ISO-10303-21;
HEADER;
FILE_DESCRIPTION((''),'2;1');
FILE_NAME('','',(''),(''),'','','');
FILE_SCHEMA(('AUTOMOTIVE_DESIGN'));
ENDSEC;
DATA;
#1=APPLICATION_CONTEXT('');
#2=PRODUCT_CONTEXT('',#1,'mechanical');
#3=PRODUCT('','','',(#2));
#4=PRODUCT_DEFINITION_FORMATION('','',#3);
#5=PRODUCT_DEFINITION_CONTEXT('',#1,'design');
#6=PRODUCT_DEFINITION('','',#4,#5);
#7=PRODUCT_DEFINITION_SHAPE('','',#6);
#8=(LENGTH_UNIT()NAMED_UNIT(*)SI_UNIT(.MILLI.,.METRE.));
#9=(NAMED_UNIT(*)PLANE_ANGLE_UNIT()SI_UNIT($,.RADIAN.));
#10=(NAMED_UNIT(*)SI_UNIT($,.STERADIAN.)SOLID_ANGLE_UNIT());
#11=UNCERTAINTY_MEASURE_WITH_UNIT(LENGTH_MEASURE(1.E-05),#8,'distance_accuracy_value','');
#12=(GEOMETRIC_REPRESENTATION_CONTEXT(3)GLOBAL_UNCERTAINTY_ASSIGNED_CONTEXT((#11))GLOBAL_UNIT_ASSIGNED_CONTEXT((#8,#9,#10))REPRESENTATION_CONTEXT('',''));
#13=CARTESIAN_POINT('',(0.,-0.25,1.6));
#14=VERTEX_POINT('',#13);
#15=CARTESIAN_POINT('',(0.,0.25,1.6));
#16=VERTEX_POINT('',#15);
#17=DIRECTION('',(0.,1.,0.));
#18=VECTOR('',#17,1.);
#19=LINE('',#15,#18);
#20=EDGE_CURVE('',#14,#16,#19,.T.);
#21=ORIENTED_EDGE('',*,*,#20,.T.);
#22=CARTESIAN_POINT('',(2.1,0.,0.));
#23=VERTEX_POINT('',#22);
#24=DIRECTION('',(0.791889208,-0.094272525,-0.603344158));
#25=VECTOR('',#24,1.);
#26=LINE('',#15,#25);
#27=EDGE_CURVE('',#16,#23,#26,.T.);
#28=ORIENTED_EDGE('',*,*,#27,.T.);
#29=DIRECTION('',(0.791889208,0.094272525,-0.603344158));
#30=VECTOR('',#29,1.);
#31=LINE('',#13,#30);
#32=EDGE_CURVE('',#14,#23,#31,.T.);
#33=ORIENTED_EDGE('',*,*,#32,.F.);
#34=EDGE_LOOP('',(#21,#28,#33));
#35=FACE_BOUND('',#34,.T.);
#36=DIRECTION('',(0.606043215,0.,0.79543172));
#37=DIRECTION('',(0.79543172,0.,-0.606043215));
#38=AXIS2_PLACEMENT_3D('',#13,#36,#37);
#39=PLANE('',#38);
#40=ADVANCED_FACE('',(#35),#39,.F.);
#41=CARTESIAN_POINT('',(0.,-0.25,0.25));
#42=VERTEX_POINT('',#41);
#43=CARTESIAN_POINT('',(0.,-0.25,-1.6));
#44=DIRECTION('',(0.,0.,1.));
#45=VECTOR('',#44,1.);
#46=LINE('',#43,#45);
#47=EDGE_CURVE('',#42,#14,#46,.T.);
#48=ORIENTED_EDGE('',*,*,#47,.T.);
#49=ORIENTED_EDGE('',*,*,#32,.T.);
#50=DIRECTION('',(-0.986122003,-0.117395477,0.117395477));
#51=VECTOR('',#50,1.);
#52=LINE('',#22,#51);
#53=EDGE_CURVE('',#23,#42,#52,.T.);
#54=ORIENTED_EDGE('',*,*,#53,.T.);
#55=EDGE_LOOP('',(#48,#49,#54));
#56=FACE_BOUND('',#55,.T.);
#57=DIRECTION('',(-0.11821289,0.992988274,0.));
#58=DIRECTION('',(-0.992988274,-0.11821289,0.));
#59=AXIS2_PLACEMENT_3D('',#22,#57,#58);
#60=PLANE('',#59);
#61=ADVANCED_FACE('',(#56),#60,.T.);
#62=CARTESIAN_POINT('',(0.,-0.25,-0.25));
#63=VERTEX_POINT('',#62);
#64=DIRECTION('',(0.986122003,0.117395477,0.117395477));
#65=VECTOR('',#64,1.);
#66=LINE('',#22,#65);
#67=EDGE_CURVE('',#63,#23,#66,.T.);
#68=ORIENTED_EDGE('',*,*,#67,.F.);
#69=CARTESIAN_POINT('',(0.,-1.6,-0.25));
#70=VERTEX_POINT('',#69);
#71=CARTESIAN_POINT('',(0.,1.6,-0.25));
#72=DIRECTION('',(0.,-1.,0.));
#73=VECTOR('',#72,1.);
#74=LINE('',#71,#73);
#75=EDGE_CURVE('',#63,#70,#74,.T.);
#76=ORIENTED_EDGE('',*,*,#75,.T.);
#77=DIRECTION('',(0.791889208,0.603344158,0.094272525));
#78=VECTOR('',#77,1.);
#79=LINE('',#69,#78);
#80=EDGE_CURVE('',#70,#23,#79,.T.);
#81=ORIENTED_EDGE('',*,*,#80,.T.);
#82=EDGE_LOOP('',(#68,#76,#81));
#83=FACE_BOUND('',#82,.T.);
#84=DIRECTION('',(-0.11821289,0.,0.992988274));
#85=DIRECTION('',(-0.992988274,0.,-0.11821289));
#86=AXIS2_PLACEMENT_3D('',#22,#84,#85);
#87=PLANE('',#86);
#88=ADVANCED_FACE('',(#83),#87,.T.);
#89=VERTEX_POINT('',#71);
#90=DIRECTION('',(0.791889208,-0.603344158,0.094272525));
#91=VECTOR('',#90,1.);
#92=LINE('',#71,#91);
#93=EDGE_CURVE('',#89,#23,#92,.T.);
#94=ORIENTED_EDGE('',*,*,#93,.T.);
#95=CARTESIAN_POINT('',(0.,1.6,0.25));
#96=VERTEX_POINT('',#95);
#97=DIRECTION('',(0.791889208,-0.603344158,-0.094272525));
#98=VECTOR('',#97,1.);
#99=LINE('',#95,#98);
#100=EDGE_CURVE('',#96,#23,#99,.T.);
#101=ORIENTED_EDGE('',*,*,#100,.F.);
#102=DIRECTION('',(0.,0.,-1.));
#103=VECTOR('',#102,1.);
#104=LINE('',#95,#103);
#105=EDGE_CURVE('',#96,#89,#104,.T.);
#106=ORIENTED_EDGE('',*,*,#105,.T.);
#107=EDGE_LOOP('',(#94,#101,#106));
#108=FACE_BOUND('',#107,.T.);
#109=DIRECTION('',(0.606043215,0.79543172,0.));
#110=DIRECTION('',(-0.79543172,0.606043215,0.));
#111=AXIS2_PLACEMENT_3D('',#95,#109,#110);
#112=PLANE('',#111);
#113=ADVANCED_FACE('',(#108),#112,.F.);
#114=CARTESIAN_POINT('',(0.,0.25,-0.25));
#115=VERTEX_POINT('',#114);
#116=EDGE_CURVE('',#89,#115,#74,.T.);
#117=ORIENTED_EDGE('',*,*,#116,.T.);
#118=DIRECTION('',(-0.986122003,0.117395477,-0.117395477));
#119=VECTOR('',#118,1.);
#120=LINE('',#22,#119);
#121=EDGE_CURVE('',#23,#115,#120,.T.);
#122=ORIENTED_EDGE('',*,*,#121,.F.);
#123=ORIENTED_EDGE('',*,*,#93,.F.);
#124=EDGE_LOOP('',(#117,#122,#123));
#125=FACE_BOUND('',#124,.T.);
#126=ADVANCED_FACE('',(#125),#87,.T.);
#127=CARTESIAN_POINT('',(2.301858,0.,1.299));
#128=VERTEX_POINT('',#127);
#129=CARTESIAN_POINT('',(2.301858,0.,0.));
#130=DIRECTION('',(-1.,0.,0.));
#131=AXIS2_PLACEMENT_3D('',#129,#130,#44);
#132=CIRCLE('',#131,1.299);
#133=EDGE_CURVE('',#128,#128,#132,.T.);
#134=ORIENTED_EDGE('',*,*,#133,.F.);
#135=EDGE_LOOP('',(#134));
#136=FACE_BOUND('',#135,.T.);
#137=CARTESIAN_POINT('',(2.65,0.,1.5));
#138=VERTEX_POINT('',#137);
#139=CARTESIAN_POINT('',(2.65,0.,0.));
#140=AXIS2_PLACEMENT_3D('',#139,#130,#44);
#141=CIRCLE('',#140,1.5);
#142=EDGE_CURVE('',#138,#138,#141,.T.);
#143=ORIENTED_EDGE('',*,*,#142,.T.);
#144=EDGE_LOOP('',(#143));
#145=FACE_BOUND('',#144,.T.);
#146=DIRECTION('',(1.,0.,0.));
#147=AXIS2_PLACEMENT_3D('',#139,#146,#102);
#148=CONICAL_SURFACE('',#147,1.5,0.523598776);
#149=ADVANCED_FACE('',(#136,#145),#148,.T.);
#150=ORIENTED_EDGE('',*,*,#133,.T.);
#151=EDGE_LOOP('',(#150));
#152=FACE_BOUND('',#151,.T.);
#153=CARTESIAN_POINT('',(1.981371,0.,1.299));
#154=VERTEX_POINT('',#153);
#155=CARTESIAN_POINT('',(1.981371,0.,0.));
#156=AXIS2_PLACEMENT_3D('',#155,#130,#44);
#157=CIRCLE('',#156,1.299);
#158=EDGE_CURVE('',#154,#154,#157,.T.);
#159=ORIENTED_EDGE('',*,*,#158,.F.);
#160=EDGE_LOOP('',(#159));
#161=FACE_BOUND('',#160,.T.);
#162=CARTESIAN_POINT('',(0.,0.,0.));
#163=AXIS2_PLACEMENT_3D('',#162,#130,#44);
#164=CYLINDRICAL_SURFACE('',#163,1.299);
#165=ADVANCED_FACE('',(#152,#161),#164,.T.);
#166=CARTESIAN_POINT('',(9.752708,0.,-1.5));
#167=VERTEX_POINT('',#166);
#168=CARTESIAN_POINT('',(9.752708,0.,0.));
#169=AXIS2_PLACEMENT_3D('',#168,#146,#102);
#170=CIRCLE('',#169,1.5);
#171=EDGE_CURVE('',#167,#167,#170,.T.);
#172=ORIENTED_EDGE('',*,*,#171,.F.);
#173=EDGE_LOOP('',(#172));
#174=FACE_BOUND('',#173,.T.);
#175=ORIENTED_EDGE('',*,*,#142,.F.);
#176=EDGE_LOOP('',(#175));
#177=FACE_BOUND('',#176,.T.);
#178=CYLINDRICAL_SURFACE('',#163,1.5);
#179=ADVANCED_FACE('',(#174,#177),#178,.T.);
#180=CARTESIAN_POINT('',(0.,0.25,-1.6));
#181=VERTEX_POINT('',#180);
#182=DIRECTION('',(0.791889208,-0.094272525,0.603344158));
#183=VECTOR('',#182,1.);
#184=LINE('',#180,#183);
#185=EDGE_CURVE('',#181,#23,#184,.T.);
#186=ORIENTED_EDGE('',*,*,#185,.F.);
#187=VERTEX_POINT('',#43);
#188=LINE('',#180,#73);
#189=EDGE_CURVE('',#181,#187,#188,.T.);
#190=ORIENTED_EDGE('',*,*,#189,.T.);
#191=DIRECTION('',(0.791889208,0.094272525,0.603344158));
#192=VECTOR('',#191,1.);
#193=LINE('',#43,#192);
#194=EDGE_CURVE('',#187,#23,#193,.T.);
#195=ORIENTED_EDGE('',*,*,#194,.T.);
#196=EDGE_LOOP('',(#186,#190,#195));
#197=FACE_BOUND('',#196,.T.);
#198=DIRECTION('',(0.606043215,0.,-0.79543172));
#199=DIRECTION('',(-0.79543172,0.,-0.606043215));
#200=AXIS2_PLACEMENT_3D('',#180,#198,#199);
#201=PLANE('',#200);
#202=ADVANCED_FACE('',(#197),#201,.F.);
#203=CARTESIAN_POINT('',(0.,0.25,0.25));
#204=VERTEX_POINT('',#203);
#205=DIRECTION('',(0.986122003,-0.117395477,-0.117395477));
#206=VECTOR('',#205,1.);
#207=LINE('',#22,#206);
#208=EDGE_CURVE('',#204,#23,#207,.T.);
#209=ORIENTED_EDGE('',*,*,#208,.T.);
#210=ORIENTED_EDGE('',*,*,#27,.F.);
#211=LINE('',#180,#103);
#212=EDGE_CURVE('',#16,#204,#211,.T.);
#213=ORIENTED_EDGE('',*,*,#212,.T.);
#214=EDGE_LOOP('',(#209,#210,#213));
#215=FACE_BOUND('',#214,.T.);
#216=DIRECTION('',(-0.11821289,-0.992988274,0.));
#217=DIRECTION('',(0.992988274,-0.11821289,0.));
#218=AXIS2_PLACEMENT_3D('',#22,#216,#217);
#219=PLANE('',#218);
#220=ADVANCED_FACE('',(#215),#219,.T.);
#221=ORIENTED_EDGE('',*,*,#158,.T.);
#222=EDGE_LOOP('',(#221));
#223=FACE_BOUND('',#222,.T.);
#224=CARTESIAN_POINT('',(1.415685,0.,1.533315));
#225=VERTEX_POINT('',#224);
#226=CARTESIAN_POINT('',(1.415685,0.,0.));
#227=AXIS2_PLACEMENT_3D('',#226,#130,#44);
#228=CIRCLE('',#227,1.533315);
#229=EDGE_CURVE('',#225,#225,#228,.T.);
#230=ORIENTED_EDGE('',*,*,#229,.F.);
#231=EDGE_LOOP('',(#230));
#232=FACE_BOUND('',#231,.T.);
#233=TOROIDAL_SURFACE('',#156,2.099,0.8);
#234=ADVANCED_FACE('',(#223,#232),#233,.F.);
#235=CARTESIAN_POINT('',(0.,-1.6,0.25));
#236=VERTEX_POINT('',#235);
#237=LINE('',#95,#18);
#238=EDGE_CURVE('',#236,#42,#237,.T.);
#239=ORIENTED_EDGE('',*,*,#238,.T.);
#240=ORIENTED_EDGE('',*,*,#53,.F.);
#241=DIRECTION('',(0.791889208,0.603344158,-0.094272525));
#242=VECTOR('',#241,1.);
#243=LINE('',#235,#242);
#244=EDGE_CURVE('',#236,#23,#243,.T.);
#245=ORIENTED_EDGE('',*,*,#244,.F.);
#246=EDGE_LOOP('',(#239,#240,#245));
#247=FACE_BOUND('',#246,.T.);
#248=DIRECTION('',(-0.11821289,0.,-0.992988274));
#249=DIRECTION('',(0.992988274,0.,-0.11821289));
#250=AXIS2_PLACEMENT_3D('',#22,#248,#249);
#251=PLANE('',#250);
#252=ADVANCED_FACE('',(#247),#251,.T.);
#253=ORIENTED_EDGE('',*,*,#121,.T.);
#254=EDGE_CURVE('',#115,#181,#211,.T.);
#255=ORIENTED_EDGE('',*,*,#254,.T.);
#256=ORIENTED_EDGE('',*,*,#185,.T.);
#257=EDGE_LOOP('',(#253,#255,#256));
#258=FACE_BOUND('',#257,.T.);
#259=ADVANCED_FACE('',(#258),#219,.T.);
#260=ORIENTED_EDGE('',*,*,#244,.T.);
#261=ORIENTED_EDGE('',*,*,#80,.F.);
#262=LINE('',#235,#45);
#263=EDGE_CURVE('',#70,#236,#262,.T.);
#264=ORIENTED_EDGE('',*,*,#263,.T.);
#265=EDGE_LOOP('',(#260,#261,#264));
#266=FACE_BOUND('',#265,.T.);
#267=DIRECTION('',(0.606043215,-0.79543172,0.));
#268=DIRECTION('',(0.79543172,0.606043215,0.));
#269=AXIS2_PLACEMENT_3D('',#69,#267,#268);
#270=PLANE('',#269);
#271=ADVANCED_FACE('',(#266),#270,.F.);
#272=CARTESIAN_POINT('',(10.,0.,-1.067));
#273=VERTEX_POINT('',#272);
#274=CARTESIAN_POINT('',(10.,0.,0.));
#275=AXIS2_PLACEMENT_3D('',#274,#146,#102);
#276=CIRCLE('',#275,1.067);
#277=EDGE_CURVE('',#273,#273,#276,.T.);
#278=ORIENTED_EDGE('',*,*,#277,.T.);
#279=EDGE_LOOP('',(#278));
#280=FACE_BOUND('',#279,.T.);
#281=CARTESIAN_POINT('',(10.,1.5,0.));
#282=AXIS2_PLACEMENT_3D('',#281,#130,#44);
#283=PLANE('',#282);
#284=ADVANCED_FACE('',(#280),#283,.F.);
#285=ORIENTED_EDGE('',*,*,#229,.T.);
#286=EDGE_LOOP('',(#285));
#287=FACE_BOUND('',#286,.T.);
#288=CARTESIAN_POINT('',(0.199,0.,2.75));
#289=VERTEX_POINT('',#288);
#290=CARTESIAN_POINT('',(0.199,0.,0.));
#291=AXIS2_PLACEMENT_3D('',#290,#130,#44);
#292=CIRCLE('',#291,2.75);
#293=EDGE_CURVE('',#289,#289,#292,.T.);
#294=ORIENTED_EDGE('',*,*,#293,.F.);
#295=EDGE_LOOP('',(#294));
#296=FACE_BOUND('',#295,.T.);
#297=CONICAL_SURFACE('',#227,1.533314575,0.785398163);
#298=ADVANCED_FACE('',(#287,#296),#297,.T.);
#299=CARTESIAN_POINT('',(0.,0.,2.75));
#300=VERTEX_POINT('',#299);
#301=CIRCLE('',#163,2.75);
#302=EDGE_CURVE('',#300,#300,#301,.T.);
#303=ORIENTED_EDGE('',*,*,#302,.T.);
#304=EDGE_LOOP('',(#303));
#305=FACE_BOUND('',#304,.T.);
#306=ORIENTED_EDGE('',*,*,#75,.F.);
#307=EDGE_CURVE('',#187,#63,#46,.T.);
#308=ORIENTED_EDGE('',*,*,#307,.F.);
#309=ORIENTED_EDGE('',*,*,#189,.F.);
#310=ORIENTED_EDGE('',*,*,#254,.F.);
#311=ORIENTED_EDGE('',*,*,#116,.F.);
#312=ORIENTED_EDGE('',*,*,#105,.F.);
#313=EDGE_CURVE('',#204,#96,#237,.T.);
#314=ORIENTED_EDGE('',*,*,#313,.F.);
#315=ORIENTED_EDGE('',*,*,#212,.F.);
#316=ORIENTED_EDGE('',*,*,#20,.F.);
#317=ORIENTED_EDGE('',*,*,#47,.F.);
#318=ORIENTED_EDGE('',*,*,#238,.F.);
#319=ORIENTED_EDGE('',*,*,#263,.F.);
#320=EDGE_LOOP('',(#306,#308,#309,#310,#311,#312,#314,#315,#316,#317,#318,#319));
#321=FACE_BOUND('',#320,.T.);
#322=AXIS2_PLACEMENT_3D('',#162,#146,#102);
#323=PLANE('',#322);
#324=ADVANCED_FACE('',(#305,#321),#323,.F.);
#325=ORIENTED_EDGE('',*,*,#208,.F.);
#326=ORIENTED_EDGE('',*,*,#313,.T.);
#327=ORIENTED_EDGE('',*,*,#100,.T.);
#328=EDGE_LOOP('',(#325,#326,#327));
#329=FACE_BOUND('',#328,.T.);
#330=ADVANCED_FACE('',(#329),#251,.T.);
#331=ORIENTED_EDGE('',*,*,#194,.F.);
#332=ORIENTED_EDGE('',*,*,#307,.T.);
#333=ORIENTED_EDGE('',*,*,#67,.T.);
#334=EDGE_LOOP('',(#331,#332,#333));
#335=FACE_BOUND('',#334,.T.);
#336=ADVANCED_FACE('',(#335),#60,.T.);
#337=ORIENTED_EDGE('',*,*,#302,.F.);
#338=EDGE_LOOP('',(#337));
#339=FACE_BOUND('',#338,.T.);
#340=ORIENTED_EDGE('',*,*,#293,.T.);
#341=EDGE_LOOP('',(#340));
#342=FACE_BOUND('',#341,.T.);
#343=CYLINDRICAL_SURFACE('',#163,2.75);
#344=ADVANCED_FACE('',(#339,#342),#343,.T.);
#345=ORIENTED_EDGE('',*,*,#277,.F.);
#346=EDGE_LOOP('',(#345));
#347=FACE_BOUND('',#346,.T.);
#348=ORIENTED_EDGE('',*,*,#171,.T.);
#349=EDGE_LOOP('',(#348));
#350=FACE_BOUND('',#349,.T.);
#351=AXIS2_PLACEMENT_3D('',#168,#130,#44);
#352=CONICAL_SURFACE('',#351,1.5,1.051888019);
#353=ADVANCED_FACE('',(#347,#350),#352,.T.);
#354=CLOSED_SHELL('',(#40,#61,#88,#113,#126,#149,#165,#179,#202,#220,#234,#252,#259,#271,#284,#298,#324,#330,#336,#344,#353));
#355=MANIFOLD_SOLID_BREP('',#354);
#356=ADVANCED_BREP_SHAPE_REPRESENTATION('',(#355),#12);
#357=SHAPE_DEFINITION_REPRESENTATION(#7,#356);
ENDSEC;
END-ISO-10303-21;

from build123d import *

# Parameters (mm, degrees)
PATTERN_CIRCULAR_1_COUNT = 2
PATTERN_CIRCULAR_1_ANGLE = 90


with BuildPart() as part:
    # 草图1 → Revolve 694 (revolve)
    with BuildSketch(Plane.XY, mode=Mode.PRIVATE) as revolve_694_sk:
        with BuildLine():
            Line((0, 0), (0, 2.75))
            Line((0, 2.75), (0.199, 2.75))
            Line((0.199, 2.75), (1.415685425, 1.533314575))
            ThreePointArc((1.415685425, 1.533314575), (1.675224104, 1.359896374), (1.98137085, 1.299))
            Line((1.98137085, 1.299), (2.301857788, 1.299))
            Line((2.301857788, 1.299), (2.65, 1.5))
            Line((2.65, 1.5), (10, 1.5))
            Line((10, 1.5), (10, 0))
            Line((10, 0), (0, 0))
        make_face()
    revolve(revolve_694_sk.sketch.rotate(Axis((0, 0, 0), (1, 0, 0)), 90), axis=Axis((0, 0, 0), (1, 0, 0)))

    # 草图2 → 切除-旋转1 (revolve, cut)
    with BuildSketch(Plane.XY, mode=Mode.PRIVATE) as cut_revolve_1_sk:
        Polygon((9.752708003, 1.5), (10.252708003, 1.5), (10, 1.067), align=None)
    revolve(cut_revolve_1_sk.sketch.rotate(Axis((0, 0, 0), (-1, 0, 0)), 270), axis=Axis((0, 0, 0), (-1, 0, 0)), mode=Mode.SUBTRACT)

    # 草图3 → 切除-放样1 section 0
    with BuildSketch(Plane.ZY, mode=Mode.PRIVATE) as loft_1_s0:
        with BuildLine():
            Line((-1.6, 0.25), (1.6, 0.25))
            Line((1.6, 0.25), (1.6, -0.25))
            Line((1.6, -0.25), (-1.6, -0.25))
            Line((-1.6, -0.25), (-1.6, 0.25))
        make_face()
    loft_1 = loft([loft_1_s0.sketch, Vertex(2.1, 0, 0)], mode=Mode.SUBTRACT)

    # 阵列(圆周)1: 切除-放样1 ×2 about axis
    pattern_circular_1_axis = Axis((0, 0, 0), (1, 0, 0))
    for i in range(1, PATTERN_CIRCULAR_1_COUNT):
        add(loft_1.rotate(pattern_circular_1_axis, i * PATTERN_CIRCULAR_1_ANGLE / (PATTERN_CIRCULAR_1_COUNT - 1)), mode=Mode.SUBTRACT)


solid = part.part
